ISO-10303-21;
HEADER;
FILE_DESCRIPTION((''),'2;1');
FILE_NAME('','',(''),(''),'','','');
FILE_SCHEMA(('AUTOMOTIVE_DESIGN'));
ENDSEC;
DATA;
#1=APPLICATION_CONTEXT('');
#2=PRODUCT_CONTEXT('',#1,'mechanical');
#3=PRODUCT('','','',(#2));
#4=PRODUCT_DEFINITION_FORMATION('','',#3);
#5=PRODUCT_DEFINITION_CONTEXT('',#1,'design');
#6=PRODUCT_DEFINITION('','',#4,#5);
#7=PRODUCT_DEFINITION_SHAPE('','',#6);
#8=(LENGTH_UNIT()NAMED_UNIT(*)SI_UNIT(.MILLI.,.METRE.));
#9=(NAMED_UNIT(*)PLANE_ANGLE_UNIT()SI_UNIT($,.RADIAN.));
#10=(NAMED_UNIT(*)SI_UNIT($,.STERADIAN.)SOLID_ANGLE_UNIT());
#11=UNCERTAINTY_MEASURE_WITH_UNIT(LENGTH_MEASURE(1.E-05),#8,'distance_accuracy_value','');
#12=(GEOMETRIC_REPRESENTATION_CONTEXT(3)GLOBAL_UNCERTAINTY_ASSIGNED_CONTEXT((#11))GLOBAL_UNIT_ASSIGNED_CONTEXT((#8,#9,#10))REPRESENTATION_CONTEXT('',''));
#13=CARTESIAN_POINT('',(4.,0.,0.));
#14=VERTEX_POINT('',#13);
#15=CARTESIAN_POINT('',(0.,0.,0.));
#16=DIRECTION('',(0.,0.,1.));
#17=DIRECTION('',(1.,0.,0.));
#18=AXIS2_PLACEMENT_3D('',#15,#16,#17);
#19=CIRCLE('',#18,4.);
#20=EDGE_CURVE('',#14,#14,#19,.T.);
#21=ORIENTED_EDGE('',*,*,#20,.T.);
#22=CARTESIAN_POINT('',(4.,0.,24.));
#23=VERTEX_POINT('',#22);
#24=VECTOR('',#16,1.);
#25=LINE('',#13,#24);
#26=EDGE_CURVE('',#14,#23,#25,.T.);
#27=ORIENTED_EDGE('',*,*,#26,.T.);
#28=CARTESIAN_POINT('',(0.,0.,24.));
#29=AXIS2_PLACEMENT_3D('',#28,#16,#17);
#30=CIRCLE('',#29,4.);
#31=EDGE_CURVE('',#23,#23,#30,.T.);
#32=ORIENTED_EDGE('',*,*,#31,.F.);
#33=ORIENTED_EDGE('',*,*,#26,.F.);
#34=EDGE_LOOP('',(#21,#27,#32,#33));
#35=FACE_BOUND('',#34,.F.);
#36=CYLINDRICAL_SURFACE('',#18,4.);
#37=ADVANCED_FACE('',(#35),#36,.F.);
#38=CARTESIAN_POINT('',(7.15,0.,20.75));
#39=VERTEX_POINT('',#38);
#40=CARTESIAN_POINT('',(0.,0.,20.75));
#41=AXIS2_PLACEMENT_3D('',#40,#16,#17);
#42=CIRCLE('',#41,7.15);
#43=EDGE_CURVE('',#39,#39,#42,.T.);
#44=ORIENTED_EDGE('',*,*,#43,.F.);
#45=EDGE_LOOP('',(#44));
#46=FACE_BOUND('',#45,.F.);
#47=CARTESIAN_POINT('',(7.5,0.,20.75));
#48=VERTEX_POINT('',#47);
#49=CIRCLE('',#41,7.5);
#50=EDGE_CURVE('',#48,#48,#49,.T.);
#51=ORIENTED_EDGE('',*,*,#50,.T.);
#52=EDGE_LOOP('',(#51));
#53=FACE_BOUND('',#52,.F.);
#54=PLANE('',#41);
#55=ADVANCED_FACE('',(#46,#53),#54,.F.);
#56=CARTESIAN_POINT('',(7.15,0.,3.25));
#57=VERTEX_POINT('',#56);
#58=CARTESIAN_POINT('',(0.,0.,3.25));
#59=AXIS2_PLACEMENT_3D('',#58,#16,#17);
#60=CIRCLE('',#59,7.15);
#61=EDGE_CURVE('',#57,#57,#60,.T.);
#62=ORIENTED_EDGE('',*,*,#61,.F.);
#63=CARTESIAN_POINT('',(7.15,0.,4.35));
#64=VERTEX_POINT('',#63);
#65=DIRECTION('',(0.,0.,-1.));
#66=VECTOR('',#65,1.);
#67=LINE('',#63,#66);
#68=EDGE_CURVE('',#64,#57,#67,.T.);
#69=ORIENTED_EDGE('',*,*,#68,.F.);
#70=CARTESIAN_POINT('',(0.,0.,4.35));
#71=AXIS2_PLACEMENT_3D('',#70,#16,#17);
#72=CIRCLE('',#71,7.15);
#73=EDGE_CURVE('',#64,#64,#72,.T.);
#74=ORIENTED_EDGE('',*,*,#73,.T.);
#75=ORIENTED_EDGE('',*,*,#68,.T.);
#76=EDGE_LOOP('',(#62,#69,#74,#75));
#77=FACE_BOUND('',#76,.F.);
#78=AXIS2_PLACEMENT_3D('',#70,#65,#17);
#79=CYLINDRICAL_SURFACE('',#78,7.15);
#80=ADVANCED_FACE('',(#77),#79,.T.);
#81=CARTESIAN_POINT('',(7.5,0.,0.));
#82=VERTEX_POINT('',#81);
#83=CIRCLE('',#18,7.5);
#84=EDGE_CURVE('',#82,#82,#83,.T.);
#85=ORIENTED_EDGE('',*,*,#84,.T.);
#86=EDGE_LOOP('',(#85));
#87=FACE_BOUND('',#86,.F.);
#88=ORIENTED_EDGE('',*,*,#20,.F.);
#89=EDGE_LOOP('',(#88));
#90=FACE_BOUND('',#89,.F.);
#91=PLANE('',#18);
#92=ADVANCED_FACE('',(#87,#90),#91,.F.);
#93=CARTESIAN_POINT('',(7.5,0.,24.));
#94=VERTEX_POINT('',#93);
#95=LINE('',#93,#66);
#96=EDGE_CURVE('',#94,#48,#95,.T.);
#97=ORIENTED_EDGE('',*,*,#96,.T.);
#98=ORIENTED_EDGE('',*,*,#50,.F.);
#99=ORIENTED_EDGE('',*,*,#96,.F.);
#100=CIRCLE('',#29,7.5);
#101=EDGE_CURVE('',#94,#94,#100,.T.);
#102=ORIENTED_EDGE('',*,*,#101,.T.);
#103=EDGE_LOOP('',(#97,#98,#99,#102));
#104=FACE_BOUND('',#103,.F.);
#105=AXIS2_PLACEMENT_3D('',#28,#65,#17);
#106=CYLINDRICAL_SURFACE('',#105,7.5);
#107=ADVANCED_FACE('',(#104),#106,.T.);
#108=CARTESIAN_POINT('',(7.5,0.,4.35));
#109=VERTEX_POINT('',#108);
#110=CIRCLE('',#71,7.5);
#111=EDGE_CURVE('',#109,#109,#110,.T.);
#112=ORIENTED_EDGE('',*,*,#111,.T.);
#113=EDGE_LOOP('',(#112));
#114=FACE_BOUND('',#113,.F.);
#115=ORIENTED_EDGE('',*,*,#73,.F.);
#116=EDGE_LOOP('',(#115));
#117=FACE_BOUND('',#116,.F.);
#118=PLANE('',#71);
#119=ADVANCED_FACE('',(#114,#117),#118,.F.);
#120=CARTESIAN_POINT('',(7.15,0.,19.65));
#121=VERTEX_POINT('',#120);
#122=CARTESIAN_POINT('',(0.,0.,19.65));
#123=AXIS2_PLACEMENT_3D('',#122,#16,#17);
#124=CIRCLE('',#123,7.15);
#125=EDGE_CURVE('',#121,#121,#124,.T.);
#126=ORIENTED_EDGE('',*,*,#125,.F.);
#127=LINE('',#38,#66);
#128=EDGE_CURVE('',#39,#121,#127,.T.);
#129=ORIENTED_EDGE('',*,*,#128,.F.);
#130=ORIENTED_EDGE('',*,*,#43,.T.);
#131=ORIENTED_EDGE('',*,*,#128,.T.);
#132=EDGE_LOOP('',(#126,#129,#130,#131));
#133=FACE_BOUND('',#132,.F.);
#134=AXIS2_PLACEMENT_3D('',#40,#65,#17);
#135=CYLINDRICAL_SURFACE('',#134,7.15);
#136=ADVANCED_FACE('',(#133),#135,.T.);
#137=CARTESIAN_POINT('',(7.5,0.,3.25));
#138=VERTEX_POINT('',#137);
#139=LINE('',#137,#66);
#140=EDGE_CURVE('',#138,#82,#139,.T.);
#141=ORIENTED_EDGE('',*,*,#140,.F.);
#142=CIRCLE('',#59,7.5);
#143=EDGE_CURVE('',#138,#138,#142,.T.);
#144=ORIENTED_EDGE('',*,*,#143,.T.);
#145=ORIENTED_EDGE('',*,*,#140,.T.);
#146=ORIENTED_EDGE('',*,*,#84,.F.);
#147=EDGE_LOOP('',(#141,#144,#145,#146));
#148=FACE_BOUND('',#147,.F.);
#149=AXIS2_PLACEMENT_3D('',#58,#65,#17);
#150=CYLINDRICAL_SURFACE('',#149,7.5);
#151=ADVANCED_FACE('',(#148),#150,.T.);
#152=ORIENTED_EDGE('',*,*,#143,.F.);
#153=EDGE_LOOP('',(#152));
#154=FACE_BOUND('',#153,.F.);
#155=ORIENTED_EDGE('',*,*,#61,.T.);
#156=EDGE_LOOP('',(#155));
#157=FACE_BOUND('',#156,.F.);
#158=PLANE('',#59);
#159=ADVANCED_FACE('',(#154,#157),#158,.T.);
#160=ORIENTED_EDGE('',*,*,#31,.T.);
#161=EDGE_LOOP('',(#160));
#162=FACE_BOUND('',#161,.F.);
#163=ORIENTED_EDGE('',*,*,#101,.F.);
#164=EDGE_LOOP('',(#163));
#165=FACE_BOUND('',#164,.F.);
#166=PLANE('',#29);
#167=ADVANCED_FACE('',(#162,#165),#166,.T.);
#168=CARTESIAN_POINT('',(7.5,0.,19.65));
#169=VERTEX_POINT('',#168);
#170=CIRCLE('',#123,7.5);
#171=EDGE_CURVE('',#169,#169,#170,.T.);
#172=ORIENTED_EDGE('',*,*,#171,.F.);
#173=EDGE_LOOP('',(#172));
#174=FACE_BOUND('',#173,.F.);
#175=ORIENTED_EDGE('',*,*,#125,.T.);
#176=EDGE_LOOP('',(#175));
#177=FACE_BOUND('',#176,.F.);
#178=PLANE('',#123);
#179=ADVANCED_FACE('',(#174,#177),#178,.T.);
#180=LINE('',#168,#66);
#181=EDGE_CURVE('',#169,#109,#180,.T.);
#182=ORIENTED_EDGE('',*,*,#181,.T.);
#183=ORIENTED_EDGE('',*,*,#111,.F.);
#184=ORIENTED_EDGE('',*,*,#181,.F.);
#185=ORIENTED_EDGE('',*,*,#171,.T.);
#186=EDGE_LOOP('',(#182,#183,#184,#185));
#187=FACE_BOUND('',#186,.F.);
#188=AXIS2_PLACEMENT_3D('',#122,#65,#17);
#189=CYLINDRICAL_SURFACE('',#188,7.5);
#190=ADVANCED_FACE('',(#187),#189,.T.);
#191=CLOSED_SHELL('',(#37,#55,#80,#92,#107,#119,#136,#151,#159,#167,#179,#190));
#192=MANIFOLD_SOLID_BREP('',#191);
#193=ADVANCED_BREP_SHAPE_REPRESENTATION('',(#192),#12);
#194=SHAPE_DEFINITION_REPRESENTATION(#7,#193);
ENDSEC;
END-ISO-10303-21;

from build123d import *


with BuildPart() as part:
    # Sketch1 → Revolve1 (revolve)
    with BuildSketch(Plane(origin=(0, 0, 0), x_dir=(1, 0, 0), z_dir=(0, 1, 0))):
        Polygon((7.5, 0), (4, 0), (4, -24), (7.5, -24), (7.5, -20.75), (7.15, -20.75), (7.15, -19.65), (7.5, -19.65), (7.5, -4.35), (7.15, -4.35), (7.15, -3.25), (7.5, -3.25), align=None)
    revolve(axis=Axis((0, 0, 0), (0, 0, 1)))


solid = part.part
